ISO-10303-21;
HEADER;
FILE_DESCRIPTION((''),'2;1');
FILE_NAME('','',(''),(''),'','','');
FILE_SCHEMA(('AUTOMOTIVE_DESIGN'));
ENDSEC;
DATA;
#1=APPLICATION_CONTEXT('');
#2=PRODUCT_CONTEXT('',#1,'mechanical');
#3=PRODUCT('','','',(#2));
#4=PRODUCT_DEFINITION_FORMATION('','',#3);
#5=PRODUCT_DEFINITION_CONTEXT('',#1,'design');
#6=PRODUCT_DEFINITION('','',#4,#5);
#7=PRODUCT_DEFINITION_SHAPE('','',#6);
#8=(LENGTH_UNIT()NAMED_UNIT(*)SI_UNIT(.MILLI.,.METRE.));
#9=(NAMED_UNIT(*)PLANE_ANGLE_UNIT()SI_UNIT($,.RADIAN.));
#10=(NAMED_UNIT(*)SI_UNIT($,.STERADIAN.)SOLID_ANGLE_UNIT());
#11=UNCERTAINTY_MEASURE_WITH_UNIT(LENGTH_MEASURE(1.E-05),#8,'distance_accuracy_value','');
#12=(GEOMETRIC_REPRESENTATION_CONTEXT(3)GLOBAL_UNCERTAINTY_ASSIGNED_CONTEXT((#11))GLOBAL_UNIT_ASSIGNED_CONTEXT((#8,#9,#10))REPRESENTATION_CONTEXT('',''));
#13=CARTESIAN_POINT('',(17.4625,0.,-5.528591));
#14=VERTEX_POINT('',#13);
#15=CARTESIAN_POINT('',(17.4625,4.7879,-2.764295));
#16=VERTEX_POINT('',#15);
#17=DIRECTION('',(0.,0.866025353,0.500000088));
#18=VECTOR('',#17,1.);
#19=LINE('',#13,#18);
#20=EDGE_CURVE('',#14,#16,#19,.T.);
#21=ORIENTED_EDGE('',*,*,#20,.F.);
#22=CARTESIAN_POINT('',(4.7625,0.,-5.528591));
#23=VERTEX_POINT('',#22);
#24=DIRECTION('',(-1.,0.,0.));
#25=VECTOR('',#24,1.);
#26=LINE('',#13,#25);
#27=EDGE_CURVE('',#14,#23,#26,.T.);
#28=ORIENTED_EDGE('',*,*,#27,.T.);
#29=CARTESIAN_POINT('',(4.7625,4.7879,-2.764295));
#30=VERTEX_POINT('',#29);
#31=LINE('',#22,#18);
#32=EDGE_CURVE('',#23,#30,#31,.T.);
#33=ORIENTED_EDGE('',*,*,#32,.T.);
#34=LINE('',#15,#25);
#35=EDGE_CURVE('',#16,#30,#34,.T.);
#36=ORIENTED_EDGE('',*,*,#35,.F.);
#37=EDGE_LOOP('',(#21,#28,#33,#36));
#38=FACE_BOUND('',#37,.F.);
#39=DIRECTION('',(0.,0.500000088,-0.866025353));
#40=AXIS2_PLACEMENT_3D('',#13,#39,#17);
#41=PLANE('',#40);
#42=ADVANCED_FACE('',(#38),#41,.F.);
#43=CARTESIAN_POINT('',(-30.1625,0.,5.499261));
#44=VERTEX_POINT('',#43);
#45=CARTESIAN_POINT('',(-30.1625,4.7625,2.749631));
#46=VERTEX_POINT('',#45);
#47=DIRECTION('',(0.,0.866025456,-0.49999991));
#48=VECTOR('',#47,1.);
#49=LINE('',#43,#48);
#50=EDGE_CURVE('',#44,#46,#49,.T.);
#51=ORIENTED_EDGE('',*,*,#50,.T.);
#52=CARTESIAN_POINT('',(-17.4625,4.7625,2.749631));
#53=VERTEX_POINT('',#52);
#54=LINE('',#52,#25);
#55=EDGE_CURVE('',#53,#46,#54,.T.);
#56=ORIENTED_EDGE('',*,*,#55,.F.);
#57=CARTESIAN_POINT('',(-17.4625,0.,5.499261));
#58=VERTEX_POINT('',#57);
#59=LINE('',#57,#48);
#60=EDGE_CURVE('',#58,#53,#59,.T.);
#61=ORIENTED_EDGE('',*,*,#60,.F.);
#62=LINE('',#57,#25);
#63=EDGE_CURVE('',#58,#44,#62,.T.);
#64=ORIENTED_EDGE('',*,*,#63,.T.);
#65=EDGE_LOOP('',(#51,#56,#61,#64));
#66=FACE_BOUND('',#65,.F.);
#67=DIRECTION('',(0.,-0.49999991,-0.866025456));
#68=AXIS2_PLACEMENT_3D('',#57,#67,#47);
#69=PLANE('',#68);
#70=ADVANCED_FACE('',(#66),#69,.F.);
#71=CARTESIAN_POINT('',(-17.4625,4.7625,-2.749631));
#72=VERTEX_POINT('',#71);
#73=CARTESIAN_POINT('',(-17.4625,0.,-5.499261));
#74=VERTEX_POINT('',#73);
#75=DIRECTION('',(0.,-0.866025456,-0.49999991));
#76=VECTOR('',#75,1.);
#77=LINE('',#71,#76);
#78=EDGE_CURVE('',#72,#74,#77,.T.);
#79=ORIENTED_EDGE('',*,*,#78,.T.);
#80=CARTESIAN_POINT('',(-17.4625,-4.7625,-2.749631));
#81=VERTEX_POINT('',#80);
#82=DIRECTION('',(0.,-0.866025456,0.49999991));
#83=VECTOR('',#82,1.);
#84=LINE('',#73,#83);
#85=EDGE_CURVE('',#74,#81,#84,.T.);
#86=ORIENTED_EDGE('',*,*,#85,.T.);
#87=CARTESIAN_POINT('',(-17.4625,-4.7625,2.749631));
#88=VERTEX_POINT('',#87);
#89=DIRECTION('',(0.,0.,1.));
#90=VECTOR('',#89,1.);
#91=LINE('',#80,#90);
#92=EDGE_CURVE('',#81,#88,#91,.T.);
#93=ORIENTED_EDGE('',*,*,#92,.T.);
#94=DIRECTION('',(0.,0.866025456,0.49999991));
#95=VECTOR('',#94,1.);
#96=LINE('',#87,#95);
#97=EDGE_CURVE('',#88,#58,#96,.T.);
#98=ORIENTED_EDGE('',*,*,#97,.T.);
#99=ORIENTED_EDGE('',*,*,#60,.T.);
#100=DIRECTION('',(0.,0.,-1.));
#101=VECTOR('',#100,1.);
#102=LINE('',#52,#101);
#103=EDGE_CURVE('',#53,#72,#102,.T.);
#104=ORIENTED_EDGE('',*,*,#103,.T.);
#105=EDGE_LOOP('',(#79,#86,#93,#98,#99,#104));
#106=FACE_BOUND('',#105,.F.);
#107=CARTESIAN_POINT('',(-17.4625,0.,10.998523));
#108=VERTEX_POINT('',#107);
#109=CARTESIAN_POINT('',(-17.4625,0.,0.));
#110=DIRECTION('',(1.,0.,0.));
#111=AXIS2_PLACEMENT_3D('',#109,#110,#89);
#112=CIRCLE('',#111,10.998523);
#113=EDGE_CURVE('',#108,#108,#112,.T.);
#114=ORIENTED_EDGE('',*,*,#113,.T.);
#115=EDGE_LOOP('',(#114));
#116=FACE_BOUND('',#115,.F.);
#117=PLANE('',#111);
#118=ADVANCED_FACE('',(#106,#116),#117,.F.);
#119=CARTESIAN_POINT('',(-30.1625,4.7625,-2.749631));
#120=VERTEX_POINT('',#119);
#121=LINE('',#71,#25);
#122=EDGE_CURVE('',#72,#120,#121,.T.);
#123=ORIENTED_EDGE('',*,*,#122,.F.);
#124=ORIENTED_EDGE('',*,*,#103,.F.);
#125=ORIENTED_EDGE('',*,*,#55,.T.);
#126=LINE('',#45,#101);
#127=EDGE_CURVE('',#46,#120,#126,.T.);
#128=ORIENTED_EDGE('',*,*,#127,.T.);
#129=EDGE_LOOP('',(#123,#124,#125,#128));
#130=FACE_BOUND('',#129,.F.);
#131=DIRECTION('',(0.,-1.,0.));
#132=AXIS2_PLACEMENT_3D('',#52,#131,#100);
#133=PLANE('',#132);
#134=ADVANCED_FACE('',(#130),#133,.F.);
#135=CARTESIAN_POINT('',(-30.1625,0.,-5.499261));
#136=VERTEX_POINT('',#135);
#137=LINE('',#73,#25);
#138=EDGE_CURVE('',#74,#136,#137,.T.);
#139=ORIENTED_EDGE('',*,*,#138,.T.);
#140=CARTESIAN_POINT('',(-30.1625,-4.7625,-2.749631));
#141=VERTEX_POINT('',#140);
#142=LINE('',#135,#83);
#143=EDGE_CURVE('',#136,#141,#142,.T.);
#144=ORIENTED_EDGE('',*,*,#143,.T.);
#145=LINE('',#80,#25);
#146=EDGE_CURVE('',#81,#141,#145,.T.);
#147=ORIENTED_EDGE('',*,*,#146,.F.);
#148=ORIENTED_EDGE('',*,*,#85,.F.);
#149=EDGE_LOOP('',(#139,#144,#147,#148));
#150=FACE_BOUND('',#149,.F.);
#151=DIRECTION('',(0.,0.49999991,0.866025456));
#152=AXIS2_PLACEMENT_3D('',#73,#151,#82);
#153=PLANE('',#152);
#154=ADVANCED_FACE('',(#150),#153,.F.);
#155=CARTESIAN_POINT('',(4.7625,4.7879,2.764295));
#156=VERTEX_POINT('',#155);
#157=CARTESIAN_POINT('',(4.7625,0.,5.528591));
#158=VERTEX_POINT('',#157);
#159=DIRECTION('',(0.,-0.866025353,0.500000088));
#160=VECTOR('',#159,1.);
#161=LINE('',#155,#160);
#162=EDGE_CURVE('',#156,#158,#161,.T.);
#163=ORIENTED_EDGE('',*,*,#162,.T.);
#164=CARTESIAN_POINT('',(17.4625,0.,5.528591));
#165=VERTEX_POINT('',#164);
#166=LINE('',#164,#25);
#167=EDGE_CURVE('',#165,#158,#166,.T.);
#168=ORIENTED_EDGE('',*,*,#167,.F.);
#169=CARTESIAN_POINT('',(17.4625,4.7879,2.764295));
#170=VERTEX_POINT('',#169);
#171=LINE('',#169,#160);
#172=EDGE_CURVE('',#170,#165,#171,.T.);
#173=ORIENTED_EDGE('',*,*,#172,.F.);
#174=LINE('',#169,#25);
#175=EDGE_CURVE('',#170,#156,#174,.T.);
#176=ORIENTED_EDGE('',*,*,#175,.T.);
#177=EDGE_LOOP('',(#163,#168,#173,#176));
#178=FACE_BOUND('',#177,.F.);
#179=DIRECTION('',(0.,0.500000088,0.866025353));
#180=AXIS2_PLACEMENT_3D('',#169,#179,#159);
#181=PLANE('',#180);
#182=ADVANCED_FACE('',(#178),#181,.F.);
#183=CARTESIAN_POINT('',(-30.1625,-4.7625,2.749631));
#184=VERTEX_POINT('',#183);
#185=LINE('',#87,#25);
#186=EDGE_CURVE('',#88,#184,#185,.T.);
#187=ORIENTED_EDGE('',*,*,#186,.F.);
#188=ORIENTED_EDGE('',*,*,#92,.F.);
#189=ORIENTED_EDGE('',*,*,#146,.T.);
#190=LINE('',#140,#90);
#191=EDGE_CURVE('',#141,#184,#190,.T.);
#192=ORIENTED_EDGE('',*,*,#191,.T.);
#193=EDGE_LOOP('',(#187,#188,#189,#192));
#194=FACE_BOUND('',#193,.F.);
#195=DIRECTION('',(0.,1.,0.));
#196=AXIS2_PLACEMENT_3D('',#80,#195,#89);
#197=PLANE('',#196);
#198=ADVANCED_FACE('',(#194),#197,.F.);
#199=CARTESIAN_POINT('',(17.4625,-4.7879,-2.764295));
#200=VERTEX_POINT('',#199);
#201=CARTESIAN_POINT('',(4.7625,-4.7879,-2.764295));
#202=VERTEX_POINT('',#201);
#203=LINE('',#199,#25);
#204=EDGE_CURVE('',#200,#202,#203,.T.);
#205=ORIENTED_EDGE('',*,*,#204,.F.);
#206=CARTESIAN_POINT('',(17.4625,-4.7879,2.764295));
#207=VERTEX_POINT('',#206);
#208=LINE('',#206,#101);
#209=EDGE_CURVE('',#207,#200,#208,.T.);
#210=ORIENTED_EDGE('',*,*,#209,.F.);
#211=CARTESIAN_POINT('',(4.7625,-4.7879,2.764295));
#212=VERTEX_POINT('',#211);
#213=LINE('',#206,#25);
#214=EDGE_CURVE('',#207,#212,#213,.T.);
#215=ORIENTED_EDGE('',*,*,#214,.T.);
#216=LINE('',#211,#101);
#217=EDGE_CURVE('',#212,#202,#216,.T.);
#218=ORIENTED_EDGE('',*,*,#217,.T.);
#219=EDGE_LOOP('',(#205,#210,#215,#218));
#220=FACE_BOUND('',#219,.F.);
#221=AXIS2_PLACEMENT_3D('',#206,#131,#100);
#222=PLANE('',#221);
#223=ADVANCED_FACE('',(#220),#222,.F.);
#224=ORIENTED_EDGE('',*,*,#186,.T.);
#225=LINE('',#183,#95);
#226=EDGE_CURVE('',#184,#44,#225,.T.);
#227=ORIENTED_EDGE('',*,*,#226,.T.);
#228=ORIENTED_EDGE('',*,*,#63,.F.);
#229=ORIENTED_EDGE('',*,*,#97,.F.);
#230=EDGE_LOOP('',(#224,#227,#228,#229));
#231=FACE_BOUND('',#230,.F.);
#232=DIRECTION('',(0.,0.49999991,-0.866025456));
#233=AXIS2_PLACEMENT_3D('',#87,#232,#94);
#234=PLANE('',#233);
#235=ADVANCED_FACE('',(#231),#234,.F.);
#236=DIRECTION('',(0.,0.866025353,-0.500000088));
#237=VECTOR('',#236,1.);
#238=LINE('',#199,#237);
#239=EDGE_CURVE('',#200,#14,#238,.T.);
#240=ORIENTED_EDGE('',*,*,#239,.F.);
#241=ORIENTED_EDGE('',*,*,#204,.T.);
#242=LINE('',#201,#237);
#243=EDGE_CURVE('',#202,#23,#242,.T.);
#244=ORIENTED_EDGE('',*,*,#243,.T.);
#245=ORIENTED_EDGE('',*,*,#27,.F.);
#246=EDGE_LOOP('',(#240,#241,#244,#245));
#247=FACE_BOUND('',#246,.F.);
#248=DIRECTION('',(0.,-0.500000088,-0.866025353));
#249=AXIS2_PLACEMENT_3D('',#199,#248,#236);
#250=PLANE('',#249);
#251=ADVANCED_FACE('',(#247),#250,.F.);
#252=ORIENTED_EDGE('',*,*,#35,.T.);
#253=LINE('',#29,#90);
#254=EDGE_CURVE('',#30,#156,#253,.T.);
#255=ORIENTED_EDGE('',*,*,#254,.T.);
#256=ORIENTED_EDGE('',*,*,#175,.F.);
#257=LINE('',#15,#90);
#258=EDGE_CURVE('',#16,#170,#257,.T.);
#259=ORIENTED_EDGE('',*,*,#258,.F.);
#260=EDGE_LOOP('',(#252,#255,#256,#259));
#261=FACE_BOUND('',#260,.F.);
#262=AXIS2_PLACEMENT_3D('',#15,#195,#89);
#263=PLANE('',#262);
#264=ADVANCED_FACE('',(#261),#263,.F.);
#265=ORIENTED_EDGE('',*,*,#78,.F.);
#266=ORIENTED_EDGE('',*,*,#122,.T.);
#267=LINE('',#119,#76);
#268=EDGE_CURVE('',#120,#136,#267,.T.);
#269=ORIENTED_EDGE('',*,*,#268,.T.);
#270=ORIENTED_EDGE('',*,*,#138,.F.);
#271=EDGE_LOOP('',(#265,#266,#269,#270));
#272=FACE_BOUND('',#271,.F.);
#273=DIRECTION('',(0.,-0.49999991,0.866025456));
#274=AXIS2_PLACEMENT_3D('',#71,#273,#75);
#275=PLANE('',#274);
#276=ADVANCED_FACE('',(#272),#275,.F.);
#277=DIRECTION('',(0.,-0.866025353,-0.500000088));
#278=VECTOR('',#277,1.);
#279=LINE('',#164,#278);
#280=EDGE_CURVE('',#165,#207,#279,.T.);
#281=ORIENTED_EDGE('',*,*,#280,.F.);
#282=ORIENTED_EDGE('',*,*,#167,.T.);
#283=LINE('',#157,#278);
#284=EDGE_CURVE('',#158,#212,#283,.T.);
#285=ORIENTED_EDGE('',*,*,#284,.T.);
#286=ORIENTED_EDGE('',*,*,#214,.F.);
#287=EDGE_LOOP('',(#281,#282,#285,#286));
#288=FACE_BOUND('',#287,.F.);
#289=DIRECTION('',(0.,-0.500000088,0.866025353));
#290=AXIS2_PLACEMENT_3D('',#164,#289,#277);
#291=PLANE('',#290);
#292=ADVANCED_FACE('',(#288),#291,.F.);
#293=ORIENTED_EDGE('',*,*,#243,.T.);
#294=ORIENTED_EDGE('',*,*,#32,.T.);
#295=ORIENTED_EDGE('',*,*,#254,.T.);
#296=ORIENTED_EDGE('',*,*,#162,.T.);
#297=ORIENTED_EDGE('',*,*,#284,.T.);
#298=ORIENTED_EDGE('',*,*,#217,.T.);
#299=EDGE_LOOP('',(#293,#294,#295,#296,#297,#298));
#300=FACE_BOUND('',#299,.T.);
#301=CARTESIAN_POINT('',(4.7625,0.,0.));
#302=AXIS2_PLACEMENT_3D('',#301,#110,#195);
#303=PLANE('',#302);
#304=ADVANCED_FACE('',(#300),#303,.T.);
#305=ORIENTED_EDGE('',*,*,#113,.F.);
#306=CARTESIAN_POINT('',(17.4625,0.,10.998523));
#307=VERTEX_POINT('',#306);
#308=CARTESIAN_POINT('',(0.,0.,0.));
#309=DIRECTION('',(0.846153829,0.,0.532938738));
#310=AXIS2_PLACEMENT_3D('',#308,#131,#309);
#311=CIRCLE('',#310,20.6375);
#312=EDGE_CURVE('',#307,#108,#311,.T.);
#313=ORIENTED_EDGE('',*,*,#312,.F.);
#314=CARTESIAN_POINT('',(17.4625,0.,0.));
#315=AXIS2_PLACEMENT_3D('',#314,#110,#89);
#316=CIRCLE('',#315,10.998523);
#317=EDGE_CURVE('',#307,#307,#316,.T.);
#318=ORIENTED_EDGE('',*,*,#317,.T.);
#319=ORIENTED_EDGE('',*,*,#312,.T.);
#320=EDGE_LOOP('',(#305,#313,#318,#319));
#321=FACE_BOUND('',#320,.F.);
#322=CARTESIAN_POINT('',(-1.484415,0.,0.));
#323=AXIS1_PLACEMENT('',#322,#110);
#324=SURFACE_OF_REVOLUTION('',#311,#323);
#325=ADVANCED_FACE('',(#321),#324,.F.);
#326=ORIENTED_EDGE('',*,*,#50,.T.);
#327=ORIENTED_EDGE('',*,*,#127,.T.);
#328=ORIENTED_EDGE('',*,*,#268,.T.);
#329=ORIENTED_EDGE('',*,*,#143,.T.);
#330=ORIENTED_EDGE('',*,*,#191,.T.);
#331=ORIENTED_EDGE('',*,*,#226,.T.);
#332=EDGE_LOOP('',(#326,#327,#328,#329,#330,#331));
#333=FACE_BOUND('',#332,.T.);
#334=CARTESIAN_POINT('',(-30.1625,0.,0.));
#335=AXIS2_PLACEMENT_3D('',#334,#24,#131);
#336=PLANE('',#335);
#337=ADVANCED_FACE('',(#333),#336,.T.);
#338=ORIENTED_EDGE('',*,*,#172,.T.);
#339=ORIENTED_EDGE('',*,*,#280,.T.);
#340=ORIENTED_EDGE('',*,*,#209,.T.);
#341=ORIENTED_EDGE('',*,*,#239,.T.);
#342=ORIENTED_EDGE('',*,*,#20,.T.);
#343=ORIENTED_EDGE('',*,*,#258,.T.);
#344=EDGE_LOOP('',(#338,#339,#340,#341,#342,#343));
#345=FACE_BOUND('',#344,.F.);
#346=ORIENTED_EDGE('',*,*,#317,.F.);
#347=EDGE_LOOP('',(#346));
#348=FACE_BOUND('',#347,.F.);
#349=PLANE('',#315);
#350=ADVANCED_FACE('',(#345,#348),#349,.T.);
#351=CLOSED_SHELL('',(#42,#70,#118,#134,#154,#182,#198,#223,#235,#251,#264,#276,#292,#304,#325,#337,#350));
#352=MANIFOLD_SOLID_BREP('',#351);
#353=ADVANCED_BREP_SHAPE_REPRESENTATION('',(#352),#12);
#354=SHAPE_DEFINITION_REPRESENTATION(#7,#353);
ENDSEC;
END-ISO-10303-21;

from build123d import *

# Parameters (mm, degrees)
F3_DEPTH = 12.7
F5_DEPTH = 12.7


with BuildPart() as f1:
    # F0 (on Front) → F1 (revolve)
    with BuildSketch(Plane.XZ):
        with BuildLine():
            Line((17.4625, 0), (17.4625, 10.998523))
            ThreePointArc((17.4625, 10.998523), (0, 20.6375), (-17.4625, 10.998523))
            Line((-17.4625, 10.998523), (-17.4625, 0))
            Line((-17.4625, 0), (17.4625, 0))
        make_face()
    revolve(axis=Axis((-1.484415, 0, 0), (1, 0, 0)))

    # F2 (on face) → F3 (cut)
    with BuildSketch(Plane.YZ.offset(17.4625)):
        Polygon((4.7879, -2.764295), (4.7879, 2.764295), (0, 5.528591), (-4.7879, 2.764295), (-4.7879, -2.764295), (0, -5.528591), align=None)
    extrude(amount=-F3_DEPTH, mode=Mode.SUBTRACT)

    # F4 (on face) → F5 (join)
    with BuildSketch(Plane(origin=(-17.4625, 0, 0), x_dir=(0, -1, 0), z_dir=(-1, 0, 0))):
        Polygon((4.7625, -2.749631), (4.7625, 2.749631), (0, 5.499261), (-4.7625, 2.749631), (-4.7625, -2.749631), (0, -5.499261), align=None)
    extrude(amount=F5_DEPTH)


solid = f1.part
